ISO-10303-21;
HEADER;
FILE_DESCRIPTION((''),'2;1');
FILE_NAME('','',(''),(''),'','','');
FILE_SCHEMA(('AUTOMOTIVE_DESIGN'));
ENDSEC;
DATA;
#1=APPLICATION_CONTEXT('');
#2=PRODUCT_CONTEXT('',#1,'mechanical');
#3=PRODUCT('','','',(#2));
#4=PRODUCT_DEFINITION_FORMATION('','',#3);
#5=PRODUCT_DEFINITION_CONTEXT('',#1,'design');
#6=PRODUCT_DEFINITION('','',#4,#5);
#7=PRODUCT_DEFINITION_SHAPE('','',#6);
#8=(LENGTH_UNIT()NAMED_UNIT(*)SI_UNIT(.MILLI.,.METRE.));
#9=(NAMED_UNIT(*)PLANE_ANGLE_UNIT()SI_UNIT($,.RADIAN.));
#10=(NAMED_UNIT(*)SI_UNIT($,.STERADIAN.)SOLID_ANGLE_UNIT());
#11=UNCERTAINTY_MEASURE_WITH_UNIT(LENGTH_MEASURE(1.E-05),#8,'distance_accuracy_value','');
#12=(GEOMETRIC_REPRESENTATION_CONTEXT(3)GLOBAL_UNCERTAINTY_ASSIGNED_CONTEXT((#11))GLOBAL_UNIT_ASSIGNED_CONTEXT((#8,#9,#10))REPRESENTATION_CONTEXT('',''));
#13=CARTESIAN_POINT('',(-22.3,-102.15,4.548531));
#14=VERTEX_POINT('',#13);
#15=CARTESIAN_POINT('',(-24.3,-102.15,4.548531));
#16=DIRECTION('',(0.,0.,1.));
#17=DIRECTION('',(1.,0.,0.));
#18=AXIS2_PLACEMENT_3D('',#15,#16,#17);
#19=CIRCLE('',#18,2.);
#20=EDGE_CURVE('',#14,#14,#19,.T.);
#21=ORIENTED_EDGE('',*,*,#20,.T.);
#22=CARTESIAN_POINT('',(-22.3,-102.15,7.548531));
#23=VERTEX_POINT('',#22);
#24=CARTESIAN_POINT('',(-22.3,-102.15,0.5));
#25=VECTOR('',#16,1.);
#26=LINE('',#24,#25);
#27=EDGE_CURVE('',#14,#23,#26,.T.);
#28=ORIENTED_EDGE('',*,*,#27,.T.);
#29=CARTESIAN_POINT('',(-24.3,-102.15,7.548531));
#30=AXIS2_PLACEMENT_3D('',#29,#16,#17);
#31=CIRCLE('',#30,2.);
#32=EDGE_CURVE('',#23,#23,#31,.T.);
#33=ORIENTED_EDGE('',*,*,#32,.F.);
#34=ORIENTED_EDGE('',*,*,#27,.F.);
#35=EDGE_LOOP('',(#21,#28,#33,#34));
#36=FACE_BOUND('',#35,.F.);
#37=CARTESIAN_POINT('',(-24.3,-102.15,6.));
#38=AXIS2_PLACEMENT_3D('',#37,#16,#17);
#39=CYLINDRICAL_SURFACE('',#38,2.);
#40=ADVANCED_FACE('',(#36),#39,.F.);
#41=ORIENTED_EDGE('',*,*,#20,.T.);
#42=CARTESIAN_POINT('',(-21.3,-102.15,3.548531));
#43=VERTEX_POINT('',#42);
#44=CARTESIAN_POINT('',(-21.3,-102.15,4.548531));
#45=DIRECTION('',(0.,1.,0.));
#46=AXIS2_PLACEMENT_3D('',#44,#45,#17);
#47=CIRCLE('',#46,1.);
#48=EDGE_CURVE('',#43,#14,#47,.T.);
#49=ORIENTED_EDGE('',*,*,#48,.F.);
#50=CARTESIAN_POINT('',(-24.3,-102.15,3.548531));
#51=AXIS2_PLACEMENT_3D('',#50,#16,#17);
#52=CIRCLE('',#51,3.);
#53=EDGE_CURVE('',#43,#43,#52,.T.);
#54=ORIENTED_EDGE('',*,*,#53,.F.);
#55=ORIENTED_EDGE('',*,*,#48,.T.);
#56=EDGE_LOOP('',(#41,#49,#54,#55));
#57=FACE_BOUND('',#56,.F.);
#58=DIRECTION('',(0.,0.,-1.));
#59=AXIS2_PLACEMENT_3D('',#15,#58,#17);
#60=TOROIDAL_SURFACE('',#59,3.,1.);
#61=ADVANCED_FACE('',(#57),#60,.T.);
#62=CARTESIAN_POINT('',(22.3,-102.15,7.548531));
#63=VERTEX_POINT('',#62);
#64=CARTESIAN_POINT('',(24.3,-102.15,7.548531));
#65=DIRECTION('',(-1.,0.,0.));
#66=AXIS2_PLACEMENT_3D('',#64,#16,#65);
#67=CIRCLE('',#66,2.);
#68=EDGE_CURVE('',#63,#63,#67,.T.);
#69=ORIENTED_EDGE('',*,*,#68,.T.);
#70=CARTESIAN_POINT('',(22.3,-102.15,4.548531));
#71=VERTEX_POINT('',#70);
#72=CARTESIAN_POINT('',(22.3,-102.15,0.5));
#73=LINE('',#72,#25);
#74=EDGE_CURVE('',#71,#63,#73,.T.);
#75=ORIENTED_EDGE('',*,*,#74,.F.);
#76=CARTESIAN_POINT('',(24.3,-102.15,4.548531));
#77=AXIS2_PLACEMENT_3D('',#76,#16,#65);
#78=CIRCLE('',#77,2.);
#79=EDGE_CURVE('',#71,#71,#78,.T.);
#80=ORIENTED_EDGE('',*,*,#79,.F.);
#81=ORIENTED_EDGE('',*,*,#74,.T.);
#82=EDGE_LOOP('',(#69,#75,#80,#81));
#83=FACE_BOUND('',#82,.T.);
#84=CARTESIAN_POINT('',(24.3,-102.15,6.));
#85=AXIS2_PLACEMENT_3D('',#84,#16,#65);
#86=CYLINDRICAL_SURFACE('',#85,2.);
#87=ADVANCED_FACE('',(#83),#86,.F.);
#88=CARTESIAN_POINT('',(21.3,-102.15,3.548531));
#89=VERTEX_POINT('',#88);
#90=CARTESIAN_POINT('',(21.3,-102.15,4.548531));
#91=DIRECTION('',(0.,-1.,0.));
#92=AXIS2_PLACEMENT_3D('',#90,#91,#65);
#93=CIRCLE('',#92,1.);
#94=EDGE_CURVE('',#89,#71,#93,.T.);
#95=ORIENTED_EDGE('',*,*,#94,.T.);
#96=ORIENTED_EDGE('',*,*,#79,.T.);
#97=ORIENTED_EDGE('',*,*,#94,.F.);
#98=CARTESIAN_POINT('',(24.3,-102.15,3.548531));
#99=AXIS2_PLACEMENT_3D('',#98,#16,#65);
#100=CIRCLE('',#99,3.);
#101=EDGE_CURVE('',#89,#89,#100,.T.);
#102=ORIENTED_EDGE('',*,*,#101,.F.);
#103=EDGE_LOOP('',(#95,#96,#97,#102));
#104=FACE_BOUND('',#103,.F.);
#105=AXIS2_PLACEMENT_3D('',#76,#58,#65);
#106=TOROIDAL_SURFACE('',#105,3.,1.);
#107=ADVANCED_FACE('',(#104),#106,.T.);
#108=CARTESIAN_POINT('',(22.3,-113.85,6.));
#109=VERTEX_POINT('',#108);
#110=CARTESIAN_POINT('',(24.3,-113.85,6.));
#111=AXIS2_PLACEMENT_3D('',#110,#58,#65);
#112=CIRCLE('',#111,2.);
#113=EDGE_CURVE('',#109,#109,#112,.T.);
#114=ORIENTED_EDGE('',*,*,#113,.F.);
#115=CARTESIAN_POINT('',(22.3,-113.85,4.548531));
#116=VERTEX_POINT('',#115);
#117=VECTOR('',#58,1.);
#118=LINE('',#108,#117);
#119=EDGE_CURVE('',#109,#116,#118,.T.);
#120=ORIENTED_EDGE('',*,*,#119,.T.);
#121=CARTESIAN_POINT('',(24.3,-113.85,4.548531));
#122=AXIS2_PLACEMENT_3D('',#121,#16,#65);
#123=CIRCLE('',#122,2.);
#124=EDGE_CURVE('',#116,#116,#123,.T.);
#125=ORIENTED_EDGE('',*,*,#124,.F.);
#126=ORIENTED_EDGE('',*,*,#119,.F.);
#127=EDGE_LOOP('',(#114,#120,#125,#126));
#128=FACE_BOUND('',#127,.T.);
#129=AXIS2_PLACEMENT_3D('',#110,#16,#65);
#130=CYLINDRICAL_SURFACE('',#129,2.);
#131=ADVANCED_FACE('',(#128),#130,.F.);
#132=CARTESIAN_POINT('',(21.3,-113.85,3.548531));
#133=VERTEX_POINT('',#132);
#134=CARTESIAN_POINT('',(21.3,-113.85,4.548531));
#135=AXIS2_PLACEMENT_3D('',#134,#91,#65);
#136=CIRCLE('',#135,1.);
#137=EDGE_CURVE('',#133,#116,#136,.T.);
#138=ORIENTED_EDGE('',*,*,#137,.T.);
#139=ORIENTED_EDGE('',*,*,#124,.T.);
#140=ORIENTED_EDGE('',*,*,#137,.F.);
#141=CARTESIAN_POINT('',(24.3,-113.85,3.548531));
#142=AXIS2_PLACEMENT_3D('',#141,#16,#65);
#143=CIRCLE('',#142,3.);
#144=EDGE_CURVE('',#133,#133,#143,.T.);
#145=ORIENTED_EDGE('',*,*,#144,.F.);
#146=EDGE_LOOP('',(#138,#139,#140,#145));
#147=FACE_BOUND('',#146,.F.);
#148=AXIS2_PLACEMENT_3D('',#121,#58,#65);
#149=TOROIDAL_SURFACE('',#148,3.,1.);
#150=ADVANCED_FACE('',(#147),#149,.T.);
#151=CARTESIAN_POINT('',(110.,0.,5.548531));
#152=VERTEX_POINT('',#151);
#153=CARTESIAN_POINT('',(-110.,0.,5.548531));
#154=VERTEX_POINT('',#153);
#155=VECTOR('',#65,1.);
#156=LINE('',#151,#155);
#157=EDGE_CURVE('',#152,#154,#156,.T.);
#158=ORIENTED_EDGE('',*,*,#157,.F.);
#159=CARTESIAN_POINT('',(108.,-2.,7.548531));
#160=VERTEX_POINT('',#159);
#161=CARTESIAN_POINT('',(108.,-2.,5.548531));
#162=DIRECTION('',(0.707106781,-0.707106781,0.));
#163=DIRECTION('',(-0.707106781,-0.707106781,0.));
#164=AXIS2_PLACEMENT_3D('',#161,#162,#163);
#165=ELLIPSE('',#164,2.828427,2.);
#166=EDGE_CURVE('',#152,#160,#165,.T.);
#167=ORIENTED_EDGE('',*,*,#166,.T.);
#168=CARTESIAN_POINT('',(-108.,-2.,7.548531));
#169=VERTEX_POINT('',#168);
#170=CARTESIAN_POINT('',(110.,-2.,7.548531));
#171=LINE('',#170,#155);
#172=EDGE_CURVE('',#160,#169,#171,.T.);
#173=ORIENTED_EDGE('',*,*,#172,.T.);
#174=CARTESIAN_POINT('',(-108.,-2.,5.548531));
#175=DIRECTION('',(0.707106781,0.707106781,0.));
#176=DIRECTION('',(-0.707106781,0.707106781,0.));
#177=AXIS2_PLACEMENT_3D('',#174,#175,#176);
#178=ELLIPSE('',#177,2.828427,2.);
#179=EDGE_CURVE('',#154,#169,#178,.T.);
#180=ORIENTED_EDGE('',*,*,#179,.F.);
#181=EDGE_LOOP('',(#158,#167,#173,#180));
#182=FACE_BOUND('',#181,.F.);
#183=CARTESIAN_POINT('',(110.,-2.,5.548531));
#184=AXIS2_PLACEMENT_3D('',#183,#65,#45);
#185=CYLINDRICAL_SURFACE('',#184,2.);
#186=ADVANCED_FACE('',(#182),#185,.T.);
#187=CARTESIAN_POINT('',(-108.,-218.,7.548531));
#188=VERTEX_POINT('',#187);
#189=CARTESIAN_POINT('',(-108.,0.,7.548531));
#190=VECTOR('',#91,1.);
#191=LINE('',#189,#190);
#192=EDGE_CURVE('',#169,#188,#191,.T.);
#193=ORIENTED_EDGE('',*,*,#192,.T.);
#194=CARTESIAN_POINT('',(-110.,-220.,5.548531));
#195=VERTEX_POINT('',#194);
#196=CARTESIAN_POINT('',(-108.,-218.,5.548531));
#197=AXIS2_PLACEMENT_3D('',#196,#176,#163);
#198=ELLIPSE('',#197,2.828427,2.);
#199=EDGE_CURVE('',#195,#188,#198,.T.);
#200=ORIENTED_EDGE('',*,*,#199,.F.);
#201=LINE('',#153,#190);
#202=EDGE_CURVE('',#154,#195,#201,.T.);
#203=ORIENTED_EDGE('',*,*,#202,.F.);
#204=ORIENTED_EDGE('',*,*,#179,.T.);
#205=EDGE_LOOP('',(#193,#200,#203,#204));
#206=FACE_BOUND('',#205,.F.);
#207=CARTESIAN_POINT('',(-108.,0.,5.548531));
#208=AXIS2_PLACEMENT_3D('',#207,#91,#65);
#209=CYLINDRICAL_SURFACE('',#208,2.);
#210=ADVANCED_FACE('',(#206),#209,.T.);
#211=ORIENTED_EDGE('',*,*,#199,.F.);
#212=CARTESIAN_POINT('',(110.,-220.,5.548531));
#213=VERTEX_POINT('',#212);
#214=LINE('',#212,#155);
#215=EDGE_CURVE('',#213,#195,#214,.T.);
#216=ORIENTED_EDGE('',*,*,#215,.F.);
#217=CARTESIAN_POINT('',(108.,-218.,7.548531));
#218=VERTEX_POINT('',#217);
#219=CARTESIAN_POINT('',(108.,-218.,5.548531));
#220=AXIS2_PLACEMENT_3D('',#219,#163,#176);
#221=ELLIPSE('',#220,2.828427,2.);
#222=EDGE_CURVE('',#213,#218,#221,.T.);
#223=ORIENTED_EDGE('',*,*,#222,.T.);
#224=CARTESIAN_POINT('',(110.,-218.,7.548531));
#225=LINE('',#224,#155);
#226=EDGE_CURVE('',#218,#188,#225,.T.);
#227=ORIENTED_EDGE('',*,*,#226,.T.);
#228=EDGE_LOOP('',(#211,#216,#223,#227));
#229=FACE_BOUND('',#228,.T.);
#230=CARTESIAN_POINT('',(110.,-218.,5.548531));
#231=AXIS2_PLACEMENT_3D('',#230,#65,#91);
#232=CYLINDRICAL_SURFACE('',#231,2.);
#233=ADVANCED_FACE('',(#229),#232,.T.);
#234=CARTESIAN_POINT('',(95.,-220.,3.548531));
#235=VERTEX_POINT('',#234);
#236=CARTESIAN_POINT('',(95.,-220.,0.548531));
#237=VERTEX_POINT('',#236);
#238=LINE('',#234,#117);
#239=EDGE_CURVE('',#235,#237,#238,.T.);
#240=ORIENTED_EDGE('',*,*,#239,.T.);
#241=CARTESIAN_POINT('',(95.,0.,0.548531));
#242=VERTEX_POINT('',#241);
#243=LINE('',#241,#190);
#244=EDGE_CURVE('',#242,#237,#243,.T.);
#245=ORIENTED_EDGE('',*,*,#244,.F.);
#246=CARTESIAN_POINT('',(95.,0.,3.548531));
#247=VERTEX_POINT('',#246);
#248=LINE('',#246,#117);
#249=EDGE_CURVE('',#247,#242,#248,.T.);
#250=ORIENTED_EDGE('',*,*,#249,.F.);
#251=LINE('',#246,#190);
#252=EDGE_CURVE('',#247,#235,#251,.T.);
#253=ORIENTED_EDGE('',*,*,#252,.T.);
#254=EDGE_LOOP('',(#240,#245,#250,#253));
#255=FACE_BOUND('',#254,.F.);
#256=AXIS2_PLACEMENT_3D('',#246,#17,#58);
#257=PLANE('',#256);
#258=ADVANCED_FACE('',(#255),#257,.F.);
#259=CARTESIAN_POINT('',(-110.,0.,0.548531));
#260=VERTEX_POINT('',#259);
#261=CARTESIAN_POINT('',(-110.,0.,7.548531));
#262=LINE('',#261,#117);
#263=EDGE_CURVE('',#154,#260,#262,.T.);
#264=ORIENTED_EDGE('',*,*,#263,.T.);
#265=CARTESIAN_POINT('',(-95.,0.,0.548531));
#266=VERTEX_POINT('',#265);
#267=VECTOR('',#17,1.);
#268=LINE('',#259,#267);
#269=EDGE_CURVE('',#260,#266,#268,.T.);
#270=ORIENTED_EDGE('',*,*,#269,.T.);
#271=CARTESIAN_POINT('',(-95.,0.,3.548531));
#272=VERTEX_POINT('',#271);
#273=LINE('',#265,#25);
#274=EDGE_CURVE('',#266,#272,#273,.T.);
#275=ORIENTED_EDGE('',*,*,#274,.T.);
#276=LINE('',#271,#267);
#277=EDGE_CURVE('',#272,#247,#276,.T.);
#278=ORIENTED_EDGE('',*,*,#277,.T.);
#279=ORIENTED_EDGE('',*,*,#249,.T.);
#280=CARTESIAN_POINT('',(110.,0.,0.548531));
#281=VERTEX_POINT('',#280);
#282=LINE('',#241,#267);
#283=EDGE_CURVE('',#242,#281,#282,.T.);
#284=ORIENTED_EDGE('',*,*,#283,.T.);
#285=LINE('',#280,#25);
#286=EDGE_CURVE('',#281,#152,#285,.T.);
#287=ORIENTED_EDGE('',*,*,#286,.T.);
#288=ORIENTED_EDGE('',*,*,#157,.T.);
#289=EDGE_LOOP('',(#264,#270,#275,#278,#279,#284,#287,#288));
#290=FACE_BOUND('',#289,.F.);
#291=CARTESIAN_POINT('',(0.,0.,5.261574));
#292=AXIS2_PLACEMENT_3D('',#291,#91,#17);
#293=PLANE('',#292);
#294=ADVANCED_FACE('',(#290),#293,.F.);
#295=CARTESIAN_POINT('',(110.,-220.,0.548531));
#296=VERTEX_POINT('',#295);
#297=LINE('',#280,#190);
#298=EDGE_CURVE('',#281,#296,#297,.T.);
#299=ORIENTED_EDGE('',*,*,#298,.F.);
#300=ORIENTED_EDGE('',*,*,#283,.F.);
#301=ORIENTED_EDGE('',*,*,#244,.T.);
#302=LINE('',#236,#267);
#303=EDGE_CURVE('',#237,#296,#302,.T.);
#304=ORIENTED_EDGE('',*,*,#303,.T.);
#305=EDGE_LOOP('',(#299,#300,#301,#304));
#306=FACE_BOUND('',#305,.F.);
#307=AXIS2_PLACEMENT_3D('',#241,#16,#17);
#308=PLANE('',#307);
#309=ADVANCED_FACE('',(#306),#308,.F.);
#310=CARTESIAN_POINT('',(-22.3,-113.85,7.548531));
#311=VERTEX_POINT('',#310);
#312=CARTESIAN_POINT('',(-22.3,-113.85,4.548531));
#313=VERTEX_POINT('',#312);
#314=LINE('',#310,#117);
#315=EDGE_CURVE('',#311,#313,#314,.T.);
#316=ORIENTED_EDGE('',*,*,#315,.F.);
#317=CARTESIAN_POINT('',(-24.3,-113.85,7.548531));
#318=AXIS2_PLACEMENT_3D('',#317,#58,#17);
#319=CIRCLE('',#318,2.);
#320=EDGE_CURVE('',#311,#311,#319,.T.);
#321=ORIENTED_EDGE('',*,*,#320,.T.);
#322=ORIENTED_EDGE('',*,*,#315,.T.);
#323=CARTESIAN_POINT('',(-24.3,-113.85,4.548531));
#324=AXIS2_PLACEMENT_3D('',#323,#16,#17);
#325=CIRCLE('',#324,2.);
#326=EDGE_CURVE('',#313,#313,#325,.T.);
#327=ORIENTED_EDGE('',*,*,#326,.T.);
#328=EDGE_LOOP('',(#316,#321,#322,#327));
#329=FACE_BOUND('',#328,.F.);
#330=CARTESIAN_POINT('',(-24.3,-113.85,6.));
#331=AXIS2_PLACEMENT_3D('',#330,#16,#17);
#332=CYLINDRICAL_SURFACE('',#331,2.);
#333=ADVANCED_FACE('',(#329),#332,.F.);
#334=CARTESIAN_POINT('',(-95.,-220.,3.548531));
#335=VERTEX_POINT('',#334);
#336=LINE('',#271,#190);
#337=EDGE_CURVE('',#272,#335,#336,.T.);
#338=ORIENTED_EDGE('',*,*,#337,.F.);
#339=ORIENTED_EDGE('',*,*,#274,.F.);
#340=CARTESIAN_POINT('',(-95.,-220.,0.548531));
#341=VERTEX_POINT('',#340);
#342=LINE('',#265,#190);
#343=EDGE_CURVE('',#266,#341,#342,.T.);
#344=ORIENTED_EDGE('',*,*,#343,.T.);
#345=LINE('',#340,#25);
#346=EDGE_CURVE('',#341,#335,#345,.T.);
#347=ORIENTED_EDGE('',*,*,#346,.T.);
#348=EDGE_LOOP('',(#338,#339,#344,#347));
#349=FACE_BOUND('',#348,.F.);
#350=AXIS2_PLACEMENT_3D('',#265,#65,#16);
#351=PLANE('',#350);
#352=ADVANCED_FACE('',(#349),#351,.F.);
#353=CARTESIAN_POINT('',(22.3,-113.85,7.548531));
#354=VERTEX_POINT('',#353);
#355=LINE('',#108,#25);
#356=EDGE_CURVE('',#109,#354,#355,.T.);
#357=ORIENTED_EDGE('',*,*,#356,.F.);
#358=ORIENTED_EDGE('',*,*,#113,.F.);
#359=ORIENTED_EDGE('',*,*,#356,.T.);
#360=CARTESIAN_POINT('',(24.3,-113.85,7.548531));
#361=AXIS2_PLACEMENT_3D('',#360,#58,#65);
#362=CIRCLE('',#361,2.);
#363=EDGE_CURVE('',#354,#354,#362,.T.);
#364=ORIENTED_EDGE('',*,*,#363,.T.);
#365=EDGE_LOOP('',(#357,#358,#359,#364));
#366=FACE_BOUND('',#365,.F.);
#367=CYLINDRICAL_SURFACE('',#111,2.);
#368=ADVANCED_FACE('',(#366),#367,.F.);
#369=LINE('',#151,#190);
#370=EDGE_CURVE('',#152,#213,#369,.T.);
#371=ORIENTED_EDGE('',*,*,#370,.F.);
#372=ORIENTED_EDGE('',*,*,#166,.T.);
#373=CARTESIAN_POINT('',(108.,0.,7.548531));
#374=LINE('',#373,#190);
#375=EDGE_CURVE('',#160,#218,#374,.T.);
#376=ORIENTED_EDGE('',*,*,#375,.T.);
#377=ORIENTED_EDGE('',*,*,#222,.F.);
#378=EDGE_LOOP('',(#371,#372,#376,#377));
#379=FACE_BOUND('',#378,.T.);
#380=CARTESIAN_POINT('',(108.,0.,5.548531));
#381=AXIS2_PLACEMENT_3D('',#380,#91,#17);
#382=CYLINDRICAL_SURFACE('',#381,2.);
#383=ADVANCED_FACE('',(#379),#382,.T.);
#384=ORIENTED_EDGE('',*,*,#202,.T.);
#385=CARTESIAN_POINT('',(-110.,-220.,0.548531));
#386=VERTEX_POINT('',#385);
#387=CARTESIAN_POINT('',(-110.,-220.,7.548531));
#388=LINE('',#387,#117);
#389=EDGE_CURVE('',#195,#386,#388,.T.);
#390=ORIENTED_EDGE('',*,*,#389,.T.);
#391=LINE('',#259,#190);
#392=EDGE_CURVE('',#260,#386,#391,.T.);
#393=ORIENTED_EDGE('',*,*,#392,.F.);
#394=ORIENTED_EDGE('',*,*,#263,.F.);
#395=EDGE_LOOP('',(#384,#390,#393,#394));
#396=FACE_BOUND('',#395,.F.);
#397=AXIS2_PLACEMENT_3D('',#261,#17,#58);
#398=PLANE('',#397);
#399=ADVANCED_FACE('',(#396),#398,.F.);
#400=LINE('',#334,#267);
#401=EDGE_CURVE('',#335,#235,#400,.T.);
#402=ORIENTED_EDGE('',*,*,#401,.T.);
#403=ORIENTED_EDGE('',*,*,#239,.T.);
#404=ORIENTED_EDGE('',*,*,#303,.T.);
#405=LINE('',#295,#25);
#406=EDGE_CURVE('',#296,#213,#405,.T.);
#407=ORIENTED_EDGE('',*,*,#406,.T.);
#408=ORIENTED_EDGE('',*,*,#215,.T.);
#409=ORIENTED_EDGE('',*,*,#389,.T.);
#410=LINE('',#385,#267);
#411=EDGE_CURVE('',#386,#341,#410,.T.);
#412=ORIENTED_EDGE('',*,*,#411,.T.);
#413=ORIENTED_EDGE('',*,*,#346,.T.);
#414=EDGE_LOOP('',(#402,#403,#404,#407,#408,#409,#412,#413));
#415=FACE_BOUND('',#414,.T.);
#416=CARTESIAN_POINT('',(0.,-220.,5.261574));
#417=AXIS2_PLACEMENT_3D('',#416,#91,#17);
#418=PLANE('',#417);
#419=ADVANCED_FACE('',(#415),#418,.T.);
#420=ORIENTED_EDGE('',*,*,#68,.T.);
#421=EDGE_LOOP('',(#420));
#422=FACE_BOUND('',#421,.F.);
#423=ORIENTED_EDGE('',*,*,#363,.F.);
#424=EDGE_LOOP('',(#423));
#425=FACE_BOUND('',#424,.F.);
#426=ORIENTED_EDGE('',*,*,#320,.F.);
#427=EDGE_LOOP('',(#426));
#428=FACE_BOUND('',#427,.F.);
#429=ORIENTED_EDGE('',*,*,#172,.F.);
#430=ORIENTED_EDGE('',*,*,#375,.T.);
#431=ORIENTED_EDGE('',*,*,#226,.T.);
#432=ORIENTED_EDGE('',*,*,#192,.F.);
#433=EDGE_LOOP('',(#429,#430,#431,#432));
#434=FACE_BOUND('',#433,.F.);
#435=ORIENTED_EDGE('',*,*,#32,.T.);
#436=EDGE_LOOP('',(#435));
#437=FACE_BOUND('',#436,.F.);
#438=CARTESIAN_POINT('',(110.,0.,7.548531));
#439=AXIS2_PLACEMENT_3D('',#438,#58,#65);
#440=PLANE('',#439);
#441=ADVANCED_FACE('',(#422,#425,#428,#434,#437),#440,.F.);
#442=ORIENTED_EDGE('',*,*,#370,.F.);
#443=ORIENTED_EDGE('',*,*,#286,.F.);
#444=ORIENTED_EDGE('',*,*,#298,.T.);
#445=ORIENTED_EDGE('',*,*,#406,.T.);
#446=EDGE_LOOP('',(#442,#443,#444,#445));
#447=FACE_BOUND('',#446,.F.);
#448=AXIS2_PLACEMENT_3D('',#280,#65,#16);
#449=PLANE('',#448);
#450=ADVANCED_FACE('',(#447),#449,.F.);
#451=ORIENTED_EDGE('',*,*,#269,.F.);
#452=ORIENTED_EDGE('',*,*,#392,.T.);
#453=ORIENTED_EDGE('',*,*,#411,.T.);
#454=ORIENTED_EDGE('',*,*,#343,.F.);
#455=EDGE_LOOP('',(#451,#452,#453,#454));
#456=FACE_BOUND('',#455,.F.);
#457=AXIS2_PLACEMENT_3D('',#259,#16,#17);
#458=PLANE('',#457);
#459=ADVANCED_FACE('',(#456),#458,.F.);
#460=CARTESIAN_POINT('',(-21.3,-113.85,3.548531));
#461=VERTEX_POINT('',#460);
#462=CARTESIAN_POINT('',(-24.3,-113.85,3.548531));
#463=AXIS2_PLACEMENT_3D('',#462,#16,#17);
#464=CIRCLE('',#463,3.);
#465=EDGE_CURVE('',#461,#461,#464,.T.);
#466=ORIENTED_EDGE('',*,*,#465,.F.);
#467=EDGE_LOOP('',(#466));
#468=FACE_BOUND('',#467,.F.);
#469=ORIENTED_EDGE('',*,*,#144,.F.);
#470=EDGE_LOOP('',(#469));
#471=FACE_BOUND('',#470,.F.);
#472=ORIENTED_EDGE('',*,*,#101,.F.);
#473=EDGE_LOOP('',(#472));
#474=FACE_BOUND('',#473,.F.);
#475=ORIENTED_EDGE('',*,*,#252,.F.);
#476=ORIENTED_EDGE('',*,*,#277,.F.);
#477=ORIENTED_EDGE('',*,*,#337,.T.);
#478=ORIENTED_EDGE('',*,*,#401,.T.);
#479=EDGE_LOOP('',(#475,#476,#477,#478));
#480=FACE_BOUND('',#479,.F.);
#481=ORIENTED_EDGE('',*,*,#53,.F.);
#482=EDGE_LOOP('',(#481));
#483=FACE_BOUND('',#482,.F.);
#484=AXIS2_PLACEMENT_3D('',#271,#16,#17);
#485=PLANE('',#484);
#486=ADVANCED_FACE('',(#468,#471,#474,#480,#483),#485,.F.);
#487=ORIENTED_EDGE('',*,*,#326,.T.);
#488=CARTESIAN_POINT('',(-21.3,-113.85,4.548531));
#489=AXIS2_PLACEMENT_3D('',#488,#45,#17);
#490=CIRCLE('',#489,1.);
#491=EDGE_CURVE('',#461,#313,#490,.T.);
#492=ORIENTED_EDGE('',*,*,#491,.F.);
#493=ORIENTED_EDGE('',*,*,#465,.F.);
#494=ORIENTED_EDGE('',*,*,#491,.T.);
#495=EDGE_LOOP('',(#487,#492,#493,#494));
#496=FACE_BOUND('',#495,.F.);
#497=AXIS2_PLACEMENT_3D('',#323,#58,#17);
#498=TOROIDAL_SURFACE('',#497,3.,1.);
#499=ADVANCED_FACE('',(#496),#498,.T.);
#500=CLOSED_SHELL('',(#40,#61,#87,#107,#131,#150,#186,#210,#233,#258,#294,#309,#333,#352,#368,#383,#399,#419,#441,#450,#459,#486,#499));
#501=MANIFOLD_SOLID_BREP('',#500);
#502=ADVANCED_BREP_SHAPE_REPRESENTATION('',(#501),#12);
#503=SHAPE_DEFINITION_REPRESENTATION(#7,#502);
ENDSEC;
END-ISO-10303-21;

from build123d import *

# Parameters (mm, degrees)
PAD_DEPTH    = 220
SKETCH002_R  = 2
POCKET_DEPTH = 5.5
FILLET_R     = 2
FILLET001_R  = 1


with BuildPart() as part:
    # Sketch → Pad (new body)
    with BuildSketch(Plane.XZ):
        Polygon((-95, 0.548531), (-95, 3.548531), (95, 3.548531), (95, 0.548531), (110, 0.548531), (110, 7.548531), (-110, 7.548531), (-110, 0.548531), align=None)
    extrude(amount=PAD_DEPTH)

    # Sketch002 (on DatumPlane) → Pocket (cut, symmetric)
    with BuildSketch(Plane.XY.offset(6)):
        with Locations((-24.3, -113.85)):
            Circle(SKETCH002_R)
        with Locations((-24.3, -102.15)):
            Circle(SKETCH002_R)
    pocket = extrude(amount=POCKET_DEPTH, both=True, mode=Mode.SUBTRACT)

    # Mirrored: Pocket across Sketch002 V_Axis
    add(pocket.mirror(Plane(origin=(0, 0, 6), x_dir=(0, 0, 1), z_dir=(1, 0, 0))), mode=Mode.SUBTRACT)

    # Fillet
    fillet_edges = [part.edges().sort_by_distance(p)[0] for p in [
        (0, 0, 7.548531),
        (-110, -110, 7.548531),
        (0, -220, 7.548531),
        (110, -110, 7.548531),
    ]]
    fillet(fillet_edges, radius=FILLET_R)

    # Fillet001
    fillet001_edges = [part.edges().sort_by_distance(p)[0] for p in [
        (-26.3, -113.85, 3.548531),
        (-26.3, -102.15, 3.548531),
        (26.3, -113.85, 3.548531),
        (26.3, -102.15, 3.548531),
    ]]
    fillet(fillet001_edges, radius=FILLET001_R)


solid = part.part
